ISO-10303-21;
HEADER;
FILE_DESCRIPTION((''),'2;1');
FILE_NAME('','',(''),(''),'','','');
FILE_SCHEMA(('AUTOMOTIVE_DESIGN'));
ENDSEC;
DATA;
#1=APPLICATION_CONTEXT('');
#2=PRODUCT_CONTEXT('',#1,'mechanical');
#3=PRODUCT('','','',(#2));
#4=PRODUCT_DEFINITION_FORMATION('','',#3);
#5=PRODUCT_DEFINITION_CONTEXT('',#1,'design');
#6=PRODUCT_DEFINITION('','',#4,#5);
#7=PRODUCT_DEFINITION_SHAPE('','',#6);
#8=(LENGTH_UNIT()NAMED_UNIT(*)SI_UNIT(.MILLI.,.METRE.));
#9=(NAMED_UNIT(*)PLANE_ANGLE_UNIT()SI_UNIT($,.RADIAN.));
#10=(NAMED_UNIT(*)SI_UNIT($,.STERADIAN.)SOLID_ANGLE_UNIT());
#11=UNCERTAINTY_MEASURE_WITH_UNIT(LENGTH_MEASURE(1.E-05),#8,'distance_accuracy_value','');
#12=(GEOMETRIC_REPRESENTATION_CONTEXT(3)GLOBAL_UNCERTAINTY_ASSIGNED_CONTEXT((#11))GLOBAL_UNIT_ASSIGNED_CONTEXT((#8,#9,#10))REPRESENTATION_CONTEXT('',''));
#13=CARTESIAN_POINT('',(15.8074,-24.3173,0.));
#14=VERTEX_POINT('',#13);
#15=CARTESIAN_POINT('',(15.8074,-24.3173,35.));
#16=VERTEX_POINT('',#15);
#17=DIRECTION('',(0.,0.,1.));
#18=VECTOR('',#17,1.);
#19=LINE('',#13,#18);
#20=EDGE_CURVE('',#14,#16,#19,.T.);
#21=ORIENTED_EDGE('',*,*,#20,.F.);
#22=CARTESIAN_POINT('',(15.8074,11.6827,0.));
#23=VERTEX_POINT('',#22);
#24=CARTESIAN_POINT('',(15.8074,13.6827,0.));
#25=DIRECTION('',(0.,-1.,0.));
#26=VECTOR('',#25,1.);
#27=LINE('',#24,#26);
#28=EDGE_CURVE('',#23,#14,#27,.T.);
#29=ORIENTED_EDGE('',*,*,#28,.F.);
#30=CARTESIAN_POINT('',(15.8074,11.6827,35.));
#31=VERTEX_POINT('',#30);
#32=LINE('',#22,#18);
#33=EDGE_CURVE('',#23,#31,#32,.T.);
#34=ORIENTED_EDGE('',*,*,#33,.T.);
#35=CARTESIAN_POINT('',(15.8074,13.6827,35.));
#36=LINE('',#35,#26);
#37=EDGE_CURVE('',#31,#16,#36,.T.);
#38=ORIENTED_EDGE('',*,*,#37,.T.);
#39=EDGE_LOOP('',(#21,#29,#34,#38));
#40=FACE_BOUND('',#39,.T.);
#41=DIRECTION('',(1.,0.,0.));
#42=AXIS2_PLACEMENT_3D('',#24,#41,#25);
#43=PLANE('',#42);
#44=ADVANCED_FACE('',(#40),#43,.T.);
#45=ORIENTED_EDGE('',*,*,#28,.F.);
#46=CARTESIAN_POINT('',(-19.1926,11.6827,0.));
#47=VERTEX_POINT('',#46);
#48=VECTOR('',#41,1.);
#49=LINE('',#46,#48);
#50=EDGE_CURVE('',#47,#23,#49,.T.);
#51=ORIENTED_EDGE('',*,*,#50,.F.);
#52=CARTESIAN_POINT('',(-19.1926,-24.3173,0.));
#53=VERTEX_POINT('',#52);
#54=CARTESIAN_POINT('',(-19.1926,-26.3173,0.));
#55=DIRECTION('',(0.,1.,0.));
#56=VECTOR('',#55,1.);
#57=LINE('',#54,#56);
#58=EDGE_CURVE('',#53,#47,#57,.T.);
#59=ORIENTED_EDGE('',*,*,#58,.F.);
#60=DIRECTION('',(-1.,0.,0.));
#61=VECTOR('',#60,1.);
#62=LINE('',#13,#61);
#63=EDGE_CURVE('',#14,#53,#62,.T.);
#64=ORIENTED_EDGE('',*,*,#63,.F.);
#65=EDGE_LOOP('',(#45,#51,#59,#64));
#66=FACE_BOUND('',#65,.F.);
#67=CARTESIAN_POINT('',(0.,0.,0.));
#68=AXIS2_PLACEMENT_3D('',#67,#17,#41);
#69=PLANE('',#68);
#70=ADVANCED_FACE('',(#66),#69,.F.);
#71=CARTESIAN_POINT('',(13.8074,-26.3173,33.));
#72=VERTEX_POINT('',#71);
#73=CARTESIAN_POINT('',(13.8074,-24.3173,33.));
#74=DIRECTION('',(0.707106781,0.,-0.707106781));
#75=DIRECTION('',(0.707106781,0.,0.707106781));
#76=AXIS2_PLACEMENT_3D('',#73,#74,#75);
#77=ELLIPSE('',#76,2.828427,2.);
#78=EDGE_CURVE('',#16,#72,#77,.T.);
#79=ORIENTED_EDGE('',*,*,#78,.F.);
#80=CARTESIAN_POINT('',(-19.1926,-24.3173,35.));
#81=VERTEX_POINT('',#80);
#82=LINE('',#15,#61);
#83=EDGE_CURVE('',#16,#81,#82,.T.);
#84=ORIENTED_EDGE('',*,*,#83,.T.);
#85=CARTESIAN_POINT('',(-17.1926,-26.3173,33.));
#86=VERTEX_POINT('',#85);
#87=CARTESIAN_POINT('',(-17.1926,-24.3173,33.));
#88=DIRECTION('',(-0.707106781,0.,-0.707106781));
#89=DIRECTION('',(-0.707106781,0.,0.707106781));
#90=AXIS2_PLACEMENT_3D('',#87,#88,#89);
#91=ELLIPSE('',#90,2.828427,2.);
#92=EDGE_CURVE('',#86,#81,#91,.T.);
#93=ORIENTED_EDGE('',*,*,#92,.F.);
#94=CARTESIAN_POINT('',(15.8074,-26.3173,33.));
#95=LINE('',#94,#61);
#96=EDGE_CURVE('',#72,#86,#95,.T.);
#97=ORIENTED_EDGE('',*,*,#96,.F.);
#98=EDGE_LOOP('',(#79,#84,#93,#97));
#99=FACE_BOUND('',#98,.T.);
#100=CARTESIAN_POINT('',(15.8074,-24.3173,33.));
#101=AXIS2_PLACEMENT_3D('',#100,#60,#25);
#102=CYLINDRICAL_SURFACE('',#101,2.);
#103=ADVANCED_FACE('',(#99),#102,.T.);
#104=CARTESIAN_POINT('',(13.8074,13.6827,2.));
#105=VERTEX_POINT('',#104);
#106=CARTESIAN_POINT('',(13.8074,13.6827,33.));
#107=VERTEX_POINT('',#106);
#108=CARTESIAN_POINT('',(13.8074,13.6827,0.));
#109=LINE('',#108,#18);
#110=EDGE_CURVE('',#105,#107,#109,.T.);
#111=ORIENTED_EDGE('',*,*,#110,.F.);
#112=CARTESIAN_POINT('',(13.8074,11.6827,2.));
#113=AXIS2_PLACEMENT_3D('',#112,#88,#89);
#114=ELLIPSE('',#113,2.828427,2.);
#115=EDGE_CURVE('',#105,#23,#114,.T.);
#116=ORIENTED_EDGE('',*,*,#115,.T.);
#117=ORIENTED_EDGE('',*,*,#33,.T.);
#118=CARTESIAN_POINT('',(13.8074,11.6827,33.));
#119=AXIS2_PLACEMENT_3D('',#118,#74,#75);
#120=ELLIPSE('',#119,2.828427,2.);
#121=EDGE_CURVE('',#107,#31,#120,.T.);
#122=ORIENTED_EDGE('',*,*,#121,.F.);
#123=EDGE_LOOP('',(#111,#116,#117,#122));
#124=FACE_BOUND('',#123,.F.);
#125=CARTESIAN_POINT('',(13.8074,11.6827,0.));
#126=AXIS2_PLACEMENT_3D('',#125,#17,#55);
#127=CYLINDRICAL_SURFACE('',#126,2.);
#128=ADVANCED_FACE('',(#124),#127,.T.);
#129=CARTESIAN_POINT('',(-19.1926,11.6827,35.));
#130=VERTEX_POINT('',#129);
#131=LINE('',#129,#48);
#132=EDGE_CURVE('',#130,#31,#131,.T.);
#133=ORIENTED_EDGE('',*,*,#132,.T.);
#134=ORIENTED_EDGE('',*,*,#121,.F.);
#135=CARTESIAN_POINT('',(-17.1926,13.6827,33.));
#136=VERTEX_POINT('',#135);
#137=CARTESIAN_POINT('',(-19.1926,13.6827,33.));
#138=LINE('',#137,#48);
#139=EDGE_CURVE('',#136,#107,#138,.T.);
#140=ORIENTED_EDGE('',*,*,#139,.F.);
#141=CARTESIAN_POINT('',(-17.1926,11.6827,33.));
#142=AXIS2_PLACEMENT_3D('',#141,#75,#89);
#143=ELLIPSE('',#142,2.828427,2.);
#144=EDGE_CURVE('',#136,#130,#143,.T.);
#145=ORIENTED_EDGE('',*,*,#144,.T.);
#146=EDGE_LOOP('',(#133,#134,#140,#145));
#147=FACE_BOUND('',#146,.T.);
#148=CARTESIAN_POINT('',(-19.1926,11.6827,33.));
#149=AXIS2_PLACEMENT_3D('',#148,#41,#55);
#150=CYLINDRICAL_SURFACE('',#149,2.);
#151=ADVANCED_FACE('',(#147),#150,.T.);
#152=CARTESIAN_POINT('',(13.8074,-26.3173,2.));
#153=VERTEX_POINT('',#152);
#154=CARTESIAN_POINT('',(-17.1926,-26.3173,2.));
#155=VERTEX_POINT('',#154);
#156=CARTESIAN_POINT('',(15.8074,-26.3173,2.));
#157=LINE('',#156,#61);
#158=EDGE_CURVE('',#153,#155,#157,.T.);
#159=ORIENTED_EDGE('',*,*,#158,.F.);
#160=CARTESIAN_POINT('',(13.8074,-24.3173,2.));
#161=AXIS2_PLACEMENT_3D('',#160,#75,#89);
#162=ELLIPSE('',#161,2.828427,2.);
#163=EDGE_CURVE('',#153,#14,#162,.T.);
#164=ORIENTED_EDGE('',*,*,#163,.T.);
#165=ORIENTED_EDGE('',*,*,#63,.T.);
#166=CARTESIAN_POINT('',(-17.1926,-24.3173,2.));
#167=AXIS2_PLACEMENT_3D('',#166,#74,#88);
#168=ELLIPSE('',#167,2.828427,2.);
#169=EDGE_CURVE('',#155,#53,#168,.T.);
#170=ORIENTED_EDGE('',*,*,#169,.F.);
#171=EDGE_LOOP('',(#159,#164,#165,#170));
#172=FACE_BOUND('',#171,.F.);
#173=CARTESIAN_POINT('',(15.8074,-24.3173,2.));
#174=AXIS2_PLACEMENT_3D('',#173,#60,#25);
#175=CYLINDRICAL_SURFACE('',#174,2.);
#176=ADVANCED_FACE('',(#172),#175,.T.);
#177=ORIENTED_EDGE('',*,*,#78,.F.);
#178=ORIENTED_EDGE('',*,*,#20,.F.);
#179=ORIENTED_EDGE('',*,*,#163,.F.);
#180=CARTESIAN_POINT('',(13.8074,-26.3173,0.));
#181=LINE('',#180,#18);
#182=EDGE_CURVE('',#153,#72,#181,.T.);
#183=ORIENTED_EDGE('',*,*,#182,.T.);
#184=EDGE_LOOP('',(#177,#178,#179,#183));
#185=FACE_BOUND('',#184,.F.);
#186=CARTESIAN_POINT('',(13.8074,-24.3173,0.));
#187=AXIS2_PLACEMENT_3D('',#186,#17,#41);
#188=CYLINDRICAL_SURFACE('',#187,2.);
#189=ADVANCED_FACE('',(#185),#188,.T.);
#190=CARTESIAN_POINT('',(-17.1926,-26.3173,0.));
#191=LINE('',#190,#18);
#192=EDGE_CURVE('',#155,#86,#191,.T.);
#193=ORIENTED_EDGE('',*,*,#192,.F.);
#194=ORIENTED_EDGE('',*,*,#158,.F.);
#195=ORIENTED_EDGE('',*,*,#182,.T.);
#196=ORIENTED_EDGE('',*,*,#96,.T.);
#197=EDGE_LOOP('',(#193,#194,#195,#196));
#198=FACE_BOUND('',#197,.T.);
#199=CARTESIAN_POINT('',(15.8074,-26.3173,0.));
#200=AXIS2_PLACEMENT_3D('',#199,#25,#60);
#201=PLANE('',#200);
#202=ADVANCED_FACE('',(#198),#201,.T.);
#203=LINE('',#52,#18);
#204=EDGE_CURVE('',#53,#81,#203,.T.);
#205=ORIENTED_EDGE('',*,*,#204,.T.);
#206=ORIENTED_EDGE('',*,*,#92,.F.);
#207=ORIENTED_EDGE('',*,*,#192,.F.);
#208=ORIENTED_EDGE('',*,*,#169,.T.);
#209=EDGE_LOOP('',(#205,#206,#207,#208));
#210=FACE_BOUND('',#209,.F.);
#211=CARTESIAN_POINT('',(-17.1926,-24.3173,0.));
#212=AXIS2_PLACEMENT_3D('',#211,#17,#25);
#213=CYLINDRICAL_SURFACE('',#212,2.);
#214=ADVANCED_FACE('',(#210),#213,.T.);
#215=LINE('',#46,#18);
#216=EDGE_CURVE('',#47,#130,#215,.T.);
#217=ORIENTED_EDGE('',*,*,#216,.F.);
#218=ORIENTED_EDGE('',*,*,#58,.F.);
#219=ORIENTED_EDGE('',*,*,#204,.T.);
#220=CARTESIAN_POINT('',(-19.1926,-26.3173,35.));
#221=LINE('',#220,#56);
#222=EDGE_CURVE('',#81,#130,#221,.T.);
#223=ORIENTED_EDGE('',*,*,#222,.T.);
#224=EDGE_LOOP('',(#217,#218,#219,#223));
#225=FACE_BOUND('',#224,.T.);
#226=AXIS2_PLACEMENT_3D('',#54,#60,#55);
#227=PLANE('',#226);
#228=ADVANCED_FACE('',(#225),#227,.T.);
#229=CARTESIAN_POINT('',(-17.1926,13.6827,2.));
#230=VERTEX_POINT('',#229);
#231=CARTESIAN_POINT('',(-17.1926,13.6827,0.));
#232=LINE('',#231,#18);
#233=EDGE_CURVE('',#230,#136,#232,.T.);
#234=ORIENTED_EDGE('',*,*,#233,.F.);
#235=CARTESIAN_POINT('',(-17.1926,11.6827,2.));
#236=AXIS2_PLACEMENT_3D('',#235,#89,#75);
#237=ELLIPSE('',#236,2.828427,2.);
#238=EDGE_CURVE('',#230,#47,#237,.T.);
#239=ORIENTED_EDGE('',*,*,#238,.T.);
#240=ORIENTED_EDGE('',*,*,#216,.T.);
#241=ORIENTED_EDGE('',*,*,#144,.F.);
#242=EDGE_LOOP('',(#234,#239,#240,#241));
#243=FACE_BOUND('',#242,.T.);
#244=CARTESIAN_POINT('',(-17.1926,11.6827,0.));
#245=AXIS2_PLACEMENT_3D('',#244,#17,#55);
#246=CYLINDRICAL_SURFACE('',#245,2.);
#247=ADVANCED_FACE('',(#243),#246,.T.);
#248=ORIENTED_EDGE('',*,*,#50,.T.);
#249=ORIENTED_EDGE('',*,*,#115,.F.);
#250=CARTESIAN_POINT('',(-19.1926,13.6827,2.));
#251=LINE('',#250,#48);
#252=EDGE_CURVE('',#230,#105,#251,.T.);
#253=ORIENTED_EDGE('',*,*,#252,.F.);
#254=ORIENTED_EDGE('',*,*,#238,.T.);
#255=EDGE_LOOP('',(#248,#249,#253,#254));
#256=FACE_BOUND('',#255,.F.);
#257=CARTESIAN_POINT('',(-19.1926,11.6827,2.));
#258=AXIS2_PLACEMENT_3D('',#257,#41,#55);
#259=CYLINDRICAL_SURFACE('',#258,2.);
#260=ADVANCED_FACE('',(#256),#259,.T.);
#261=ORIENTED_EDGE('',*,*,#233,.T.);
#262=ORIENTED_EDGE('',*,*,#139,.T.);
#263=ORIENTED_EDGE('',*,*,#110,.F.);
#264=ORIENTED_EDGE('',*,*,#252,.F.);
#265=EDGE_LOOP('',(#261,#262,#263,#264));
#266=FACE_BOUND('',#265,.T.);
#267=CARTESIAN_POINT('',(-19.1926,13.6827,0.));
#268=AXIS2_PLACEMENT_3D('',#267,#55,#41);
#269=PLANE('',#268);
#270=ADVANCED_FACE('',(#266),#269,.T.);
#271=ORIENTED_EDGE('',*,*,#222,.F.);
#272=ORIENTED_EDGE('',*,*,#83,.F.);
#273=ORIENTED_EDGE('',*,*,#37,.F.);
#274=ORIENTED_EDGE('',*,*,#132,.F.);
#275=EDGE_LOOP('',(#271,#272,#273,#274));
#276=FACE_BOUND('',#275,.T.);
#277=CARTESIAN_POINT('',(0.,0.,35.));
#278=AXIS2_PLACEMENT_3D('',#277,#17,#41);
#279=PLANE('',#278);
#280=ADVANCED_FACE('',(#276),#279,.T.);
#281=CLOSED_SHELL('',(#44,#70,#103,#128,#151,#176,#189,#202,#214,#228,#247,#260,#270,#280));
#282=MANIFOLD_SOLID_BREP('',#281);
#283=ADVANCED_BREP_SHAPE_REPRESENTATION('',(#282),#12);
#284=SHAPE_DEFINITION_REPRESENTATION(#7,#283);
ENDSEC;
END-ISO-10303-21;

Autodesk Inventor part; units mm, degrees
ref_plane "YZ Plane" through (0, 0, 0) normal (1, 0, 0) x (0, 1, 0)
ref_plane "XZ Plane" through (0, 0, 0) normal (0, 1, 0) x (-1, 0, 0)
ref_plane "XY Plane" through (0, 0, 0) normal (0, 0, 1) x (1, 0, 0)
sketch "Skizze1" plane through (0, 0, 0) normal (0, 0, 1) x (1, 0, 0)
  line L0 (-19.1926, 13.6827) -> (15.8074, 13.6827)
  line L1 (15.8074, 13.6827) -> (15.8074, -26.3173)
  line L2 (15.8074, -26.3173) -> (-19.1926, -26.3173)
  line L3 (-19.1926, -26.3173) -> (-19.1926, 13.6827)
  point P0 (0, 0)
  dimension "d0" = 35
  dimension "d1" = 40
extrude "Extrusion1" add sketch "Skizze1" along normal blind 35
fillet "Rundung1" radius 2 8 edges at (-19.1926, 13.6827, 17.5) (15.8074, 13.6827, 17.5) (-1.6926, 13.6827, 35) (-1.6926, 13.6827, 0) (-1.6926, -26.3173, 0) (-19.1926, -26.3173, 17.5) (15.8074, -26.3173, 17.5) (-1.6926, -26.3173, 35)
sketch "Skizze2" plane through (0, 0, 35) normal (0, 0, 1) x (1, 0, 0)
  line L0 (-13.5333, 9.2381) -> (11.0513, 9.2381) construction
  line L1 (11.0513, 9.2381) -> (11.0513, -21.0985) construction
  line L2 (11.0513, -21.0985) -> (-13.5333, -21.0985) construction
  line L3 (-13.5333, -21.0985) -> (-13.5333, 9.2381) construction
  point P0 (0, 0)
properties part number "Lenkmotor"
